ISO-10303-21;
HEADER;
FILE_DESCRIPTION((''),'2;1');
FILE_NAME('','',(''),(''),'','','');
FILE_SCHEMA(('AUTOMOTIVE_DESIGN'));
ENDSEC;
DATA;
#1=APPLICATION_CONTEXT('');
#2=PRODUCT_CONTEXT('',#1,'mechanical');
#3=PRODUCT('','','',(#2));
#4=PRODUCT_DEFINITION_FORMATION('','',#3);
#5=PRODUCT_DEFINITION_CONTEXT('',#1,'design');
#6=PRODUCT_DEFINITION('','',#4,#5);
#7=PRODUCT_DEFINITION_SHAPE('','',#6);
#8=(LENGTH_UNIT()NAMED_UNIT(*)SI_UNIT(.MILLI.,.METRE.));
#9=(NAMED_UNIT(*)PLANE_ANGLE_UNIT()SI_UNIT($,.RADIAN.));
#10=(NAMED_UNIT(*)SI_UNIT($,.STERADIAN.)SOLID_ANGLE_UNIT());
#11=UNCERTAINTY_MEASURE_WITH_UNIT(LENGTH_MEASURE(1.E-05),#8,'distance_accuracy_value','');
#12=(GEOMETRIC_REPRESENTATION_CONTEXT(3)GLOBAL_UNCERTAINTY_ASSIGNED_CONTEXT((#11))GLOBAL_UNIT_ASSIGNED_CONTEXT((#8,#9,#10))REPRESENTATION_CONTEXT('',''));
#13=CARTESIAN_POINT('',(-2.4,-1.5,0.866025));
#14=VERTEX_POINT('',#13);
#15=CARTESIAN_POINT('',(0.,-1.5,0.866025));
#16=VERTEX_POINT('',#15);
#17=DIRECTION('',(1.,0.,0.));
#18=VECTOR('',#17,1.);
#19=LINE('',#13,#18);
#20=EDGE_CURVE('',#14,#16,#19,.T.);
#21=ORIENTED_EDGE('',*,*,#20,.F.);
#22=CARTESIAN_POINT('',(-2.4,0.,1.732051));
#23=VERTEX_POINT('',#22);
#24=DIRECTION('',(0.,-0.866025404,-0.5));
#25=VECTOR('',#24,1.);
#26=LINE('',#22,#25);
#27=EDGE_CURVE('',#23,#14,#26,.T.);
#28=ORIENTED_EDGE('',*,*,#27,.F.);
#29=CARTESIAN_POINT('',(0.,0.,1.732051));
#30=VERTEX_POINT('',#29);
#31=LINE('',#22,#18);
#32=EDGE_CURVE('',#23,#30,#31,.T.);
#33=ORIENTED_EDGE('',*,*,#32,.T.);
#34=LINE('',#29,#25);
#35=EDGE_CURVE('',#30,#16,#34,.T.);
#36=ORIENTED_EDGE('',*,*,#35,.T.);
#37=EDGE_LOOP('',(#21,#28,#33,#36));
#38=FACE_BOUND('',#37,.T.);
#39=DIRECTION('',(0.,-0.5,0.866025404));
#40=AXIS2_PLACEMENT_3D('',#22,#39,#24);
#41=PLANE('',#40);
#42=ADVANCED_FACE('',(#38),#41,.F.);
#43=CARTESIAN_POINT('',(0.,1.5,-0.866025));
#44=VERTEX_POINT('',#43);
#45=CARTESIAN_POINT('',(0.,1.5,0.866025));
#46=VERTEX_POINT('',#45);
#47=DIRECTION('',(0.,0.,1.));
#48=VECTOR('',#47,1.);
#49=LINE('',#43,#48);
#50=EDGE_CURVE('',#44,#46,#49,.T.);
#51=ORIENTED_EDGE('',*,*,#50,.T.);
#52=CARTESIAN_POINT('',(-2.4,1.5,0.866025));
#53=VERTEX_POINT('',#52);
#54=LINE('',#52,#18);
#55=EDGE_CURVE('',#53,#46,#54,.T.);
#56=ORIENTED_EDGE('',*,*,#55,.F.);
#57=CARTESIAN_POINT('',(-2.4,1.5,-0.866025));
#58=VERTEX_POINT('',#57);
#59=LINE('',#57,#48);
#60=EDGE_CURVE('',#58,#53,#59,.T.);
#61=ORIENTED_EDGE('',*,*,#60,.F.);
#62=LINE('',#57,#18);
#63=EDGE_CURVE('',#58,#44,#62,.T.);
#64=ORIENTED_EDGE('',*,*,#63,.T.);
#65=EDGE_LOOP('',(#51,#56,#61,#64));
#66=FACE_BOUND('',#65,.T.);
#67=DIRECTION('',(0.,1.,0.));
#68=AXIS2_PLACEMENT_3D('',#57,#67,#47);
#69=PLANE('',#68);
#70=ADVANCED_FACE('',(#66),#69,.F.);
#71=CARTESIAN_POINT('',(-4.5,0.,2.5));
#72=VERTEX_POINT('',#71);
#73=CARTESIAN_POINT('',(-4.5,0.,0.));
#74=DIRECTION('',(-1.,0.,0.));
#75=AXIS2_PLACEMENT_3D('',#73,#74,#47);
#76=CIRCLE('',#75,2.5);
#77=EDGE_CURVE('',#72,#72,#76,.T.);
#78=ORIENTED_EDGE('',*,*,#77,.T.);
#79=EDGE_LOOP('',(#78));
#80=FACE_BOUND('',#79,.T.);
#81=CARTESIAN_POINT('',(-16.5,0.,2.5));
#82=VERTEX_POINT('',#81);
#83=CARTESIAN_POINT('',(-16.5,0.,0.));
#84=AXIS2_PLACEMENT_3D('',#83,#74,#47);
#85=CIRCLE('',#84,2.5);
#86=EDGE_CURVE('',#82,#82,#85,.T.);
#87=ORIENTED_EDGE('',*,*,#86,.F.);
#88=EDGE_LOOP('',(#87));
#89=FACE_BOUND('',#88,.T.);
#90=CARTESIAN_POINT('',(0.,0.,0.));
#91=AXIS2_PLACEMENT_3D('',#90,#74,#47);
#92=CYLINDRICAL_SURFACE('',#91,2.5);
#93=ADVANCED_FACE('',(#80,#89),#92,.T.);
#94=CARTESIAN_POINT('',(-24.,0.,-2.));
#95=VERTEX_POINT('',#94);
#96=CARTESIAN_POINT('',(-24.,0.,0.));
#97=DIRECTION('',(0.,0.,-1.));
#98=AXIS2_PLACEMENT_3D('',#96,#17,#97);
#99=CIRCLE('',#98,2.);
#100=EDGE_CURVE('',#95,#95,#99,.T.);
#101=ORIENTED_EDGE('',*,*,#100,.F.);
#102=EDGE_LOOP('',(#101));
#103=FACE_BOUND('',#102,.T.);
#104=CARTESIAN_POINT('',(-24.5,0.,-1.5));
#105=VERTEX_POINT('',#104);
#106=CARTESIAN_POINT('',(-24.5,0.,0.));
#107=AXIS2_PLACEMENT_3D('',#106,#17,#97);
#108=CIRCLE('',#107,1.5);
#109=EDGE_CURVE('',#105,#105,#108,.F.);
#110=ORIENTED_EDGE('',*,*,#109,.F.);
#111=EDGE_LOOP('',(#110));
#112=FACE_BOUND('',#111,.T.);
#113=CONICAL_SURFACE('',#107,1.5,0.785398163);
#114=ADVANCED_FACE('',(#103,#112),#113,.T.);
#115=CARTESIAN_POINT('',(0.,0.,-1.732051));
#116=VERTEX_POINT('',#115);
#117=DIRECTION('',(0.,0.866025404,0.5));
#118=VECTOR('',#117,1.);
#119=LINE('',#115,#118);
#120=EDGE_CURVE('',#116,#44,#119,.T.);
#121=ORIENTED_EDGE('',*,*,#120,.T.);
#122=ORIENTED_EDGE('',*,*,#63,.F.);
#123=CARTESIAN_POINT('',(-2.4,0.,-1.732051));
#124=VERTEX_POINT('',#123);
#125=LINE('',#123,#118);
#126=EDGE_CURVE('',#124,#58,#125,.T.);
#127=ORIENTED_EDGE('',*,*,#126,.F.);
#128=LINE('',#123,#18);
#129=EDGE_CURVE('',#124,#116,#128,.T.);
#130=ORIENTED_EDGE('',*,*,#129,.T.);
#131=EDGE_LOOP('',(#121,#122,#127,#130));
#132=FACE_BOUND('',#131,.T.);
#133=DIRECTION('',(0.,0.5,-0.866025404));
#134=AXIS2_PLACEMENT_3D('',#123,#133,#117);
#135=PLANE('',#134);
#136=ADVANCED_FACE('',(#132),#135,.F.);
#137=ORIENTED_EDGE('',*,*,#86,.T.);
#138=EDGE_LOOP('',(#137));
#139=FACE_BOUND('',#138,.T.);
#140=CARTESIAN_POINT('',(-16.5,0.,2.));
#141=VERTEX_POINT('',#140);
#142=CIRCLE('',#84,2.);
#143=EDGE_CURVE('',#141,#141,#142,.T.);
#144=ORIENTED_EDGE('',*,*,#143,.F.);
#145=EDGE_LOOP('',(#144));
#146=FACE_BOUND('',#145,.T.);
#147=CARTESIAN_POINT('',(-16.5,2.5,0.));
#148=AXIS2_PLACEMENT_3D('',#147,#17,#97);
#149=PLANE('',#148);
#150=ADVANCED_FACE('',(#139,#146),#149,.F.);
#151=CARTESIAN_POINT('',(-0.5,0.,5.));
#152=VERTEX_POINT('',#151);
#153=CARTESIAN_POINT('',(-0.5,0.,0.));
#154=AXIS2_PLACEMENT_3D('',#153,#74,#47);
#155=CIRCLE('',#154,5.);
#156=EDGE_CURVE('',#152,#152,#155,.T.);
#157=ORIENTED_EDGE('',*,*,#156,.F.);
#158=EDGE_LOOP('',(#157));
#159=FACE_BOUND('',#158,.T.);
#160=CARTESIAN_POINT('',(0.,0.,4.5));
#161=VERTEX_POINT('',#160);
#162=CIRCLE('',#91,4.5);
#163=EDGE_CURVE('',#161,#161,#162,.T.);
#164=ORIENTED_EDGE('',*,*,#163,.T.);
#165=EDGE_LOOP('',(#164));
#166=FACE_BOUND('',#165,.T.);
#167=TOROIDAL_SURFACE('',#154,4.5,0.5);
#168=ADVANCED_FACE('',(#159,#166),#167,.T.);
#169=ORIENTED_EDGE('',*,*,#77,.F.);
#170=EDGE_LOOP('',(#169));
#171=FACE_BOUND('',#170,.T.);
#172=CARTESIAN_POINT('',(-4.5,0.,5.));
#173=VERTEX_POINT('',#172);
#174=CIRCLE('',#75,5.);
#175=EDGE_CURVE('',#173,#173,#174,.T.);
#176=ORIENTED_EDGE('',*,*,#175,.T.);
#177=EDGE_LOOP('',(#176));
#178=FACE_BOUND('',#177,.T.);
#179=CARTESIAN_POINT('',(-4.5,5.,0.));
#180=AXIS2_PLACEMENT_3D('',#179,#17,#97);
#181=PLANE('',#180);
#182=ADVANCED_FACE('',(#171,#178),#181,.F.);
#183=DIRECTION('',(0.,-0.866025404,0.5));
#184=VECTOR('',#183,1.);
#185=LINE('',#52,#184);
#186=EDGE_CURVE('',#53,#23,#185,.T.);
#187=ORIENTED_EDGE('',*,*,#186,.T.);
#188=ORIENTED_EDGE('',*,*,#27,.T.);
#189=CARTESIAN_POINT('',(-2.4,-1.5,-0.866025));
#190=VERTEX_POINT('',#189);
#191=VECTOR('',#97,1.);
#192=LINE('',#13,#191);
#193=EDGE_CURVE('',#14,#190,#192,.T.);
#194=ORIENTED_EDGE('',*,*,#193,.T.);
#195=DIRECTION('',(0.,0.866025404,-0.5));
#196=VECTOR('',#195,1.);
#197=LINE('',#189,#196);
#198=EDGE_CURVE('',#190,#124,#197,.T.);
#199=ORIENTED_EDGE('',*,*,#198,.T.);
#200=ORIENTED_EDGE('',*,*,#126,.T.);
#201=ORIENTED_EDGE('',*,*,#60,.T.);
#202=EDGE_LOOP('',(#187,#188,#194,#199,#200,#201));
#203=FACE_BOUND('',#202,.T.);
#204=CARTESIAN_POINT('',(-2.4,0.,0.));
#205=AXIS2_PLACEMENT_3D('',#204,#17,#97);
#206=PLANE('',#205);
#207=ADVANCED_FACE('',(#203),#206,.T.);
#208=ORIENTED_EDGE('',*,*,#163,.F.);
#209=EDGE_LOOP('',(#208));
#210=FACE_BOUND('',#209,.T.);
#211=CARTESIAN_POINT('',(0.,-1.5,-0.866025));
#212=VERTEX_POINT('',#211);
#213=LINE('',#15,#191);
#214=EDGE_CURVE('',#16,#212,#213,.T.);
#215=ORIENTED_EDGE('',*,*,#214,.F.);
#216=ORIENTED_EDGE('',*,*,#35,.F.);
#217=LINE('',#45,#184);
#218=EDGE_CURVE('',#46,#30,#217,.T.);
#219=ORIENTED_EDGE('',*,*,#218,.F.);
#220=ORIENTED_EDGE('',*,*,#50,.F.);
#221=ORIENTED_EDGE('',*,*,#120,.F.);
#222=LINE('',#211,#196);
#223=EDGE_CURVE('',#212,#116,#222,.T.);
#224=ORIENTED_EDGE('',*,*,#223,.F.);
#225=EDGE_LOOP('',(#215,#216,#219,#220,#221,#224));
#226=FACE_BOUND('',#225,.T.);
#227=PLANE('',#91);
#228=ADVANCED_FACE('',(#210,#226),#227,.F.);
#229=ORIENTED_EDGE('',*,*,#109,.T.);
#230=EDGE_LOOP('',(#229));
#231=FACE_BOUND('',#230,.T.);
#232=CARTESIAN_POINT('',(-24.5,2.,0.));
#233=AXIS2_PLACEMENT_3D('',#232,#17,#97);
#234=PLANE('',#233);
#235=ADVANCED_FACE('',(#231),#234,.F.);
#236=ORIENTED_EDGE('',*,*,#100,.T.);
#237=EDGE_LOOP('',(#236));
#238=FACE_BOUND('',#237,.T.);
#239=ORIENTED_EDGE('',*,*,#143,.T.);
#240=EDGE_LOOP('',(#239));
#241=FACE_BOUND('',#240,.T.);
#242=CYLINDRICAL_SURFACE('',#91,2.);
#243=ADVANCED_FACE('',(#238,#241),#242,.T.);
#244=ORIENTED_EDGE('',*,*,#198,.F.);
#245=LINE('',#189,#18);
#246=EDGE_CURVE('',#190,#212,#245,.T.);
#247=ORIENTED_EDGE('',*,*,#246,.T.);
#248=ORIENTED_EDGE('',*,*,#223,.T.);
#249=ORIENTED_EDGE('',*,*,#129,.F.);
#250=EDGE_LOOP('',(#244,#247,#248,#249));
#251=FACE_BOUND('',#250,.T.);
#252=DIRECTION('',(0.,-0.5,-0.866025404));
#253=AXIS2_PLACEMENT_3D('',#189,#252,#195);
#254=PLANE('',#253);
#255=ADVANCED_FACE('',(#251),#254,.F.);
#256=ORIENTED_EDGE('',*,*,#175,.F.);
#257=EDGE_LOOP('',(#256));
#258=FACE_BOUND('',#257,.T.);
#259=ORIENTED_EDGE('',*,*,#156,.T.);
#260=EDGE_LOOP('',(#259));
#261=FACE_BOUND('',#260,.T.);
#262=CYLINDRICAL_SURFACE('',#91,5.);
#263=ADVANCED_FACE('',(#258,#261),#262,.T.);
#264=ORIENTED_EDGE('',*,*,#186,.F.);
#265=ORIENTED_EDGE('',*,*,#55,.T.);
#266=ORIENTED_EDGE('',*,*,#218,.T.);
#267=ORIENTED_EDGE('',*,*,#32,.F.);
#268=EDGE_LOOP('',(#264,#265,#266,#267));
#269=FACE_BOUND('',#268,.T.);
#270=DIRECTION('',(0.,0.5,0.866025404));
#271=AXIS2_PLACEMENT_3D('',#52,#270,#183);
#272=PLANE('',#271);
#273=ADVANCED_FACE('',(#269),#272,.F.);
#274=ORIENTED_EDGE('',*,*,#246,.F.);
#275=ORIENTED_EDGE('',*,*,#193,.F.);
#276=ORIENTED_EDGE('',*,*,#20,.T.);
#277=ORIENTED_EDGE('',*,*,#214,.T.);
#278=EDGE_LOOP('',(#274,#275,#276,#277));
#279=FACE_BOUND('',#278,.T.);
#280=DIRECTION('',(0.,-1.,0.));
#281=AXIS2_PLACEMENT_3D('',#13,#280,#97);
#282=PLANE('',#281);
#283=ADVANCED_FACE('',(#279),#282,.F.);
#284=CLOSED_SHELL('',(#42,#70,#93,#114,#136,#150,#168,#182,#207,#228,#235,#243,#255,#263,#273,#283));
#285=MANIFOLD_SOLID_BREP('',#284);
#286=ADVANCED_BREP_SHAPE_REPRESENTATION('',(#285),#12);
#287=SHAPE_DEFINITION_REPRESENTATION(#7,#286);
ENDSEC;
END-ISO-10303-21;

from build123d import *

# Parameters (mm, degrees)
CHAMFER1_SIZE      = 0.5
CUT_EXTRUDE1_DEPTH = 2.4


with BuildPart() as part:
    # Sketch1 → Revolve1 (revolve)
    with BuildSketch(Plane.XY):
        with BuildLine():
            Line((0, 0), (0, 4.5))
            ThreePointArc((0, 4.5), (-0.146446609, 4.853553391), (-0.5, 5))
            Line((-0.5, 5), (-4.5, 5))
            Line((-4.5, 5), (-4.5, 2.5))
            Line((-4.5, 2.5), (-16.5, 2.5))
            Line((-16.5, 2.5), (-16.5, 2))
            Line((-16.5, 2), (-24.5, 2))
            Line((-24.5, 2), (-24.5, 0))
            Line((-24.5, 0), (0, 0))
        make_face()
    revolve(axis=Axis((0, 0, 0), (1, 0, 0)))

    # Chamfer1
    chamfer1_edges = [part.edges().sort_by_distance(p)[0] for p in [
        (-24.5, -2, 0),
    ]]
    chamfer(chamfer1_edges, length=CHAMFER1_SIZE)

    # Sketch2 → Cut-Extrude1 (cut)
    with BuildSketch(Plane(origin=(0, 0, 0), x_dir=(0, 0, -1), z_dir=(1, 0, 0))):
        Polygon((1.732050808, 0), (0.866025404, 1.5), (-0.866025404, 1.5), (-1.732050808, 0), (-0.866025404, -1.5), (0.866025404, -1.5), align=None)
    extrude(amount=-CUT_EXTRUDE1_DEPTH, mode=Mode.SUBTRACT)


solid = part.part
